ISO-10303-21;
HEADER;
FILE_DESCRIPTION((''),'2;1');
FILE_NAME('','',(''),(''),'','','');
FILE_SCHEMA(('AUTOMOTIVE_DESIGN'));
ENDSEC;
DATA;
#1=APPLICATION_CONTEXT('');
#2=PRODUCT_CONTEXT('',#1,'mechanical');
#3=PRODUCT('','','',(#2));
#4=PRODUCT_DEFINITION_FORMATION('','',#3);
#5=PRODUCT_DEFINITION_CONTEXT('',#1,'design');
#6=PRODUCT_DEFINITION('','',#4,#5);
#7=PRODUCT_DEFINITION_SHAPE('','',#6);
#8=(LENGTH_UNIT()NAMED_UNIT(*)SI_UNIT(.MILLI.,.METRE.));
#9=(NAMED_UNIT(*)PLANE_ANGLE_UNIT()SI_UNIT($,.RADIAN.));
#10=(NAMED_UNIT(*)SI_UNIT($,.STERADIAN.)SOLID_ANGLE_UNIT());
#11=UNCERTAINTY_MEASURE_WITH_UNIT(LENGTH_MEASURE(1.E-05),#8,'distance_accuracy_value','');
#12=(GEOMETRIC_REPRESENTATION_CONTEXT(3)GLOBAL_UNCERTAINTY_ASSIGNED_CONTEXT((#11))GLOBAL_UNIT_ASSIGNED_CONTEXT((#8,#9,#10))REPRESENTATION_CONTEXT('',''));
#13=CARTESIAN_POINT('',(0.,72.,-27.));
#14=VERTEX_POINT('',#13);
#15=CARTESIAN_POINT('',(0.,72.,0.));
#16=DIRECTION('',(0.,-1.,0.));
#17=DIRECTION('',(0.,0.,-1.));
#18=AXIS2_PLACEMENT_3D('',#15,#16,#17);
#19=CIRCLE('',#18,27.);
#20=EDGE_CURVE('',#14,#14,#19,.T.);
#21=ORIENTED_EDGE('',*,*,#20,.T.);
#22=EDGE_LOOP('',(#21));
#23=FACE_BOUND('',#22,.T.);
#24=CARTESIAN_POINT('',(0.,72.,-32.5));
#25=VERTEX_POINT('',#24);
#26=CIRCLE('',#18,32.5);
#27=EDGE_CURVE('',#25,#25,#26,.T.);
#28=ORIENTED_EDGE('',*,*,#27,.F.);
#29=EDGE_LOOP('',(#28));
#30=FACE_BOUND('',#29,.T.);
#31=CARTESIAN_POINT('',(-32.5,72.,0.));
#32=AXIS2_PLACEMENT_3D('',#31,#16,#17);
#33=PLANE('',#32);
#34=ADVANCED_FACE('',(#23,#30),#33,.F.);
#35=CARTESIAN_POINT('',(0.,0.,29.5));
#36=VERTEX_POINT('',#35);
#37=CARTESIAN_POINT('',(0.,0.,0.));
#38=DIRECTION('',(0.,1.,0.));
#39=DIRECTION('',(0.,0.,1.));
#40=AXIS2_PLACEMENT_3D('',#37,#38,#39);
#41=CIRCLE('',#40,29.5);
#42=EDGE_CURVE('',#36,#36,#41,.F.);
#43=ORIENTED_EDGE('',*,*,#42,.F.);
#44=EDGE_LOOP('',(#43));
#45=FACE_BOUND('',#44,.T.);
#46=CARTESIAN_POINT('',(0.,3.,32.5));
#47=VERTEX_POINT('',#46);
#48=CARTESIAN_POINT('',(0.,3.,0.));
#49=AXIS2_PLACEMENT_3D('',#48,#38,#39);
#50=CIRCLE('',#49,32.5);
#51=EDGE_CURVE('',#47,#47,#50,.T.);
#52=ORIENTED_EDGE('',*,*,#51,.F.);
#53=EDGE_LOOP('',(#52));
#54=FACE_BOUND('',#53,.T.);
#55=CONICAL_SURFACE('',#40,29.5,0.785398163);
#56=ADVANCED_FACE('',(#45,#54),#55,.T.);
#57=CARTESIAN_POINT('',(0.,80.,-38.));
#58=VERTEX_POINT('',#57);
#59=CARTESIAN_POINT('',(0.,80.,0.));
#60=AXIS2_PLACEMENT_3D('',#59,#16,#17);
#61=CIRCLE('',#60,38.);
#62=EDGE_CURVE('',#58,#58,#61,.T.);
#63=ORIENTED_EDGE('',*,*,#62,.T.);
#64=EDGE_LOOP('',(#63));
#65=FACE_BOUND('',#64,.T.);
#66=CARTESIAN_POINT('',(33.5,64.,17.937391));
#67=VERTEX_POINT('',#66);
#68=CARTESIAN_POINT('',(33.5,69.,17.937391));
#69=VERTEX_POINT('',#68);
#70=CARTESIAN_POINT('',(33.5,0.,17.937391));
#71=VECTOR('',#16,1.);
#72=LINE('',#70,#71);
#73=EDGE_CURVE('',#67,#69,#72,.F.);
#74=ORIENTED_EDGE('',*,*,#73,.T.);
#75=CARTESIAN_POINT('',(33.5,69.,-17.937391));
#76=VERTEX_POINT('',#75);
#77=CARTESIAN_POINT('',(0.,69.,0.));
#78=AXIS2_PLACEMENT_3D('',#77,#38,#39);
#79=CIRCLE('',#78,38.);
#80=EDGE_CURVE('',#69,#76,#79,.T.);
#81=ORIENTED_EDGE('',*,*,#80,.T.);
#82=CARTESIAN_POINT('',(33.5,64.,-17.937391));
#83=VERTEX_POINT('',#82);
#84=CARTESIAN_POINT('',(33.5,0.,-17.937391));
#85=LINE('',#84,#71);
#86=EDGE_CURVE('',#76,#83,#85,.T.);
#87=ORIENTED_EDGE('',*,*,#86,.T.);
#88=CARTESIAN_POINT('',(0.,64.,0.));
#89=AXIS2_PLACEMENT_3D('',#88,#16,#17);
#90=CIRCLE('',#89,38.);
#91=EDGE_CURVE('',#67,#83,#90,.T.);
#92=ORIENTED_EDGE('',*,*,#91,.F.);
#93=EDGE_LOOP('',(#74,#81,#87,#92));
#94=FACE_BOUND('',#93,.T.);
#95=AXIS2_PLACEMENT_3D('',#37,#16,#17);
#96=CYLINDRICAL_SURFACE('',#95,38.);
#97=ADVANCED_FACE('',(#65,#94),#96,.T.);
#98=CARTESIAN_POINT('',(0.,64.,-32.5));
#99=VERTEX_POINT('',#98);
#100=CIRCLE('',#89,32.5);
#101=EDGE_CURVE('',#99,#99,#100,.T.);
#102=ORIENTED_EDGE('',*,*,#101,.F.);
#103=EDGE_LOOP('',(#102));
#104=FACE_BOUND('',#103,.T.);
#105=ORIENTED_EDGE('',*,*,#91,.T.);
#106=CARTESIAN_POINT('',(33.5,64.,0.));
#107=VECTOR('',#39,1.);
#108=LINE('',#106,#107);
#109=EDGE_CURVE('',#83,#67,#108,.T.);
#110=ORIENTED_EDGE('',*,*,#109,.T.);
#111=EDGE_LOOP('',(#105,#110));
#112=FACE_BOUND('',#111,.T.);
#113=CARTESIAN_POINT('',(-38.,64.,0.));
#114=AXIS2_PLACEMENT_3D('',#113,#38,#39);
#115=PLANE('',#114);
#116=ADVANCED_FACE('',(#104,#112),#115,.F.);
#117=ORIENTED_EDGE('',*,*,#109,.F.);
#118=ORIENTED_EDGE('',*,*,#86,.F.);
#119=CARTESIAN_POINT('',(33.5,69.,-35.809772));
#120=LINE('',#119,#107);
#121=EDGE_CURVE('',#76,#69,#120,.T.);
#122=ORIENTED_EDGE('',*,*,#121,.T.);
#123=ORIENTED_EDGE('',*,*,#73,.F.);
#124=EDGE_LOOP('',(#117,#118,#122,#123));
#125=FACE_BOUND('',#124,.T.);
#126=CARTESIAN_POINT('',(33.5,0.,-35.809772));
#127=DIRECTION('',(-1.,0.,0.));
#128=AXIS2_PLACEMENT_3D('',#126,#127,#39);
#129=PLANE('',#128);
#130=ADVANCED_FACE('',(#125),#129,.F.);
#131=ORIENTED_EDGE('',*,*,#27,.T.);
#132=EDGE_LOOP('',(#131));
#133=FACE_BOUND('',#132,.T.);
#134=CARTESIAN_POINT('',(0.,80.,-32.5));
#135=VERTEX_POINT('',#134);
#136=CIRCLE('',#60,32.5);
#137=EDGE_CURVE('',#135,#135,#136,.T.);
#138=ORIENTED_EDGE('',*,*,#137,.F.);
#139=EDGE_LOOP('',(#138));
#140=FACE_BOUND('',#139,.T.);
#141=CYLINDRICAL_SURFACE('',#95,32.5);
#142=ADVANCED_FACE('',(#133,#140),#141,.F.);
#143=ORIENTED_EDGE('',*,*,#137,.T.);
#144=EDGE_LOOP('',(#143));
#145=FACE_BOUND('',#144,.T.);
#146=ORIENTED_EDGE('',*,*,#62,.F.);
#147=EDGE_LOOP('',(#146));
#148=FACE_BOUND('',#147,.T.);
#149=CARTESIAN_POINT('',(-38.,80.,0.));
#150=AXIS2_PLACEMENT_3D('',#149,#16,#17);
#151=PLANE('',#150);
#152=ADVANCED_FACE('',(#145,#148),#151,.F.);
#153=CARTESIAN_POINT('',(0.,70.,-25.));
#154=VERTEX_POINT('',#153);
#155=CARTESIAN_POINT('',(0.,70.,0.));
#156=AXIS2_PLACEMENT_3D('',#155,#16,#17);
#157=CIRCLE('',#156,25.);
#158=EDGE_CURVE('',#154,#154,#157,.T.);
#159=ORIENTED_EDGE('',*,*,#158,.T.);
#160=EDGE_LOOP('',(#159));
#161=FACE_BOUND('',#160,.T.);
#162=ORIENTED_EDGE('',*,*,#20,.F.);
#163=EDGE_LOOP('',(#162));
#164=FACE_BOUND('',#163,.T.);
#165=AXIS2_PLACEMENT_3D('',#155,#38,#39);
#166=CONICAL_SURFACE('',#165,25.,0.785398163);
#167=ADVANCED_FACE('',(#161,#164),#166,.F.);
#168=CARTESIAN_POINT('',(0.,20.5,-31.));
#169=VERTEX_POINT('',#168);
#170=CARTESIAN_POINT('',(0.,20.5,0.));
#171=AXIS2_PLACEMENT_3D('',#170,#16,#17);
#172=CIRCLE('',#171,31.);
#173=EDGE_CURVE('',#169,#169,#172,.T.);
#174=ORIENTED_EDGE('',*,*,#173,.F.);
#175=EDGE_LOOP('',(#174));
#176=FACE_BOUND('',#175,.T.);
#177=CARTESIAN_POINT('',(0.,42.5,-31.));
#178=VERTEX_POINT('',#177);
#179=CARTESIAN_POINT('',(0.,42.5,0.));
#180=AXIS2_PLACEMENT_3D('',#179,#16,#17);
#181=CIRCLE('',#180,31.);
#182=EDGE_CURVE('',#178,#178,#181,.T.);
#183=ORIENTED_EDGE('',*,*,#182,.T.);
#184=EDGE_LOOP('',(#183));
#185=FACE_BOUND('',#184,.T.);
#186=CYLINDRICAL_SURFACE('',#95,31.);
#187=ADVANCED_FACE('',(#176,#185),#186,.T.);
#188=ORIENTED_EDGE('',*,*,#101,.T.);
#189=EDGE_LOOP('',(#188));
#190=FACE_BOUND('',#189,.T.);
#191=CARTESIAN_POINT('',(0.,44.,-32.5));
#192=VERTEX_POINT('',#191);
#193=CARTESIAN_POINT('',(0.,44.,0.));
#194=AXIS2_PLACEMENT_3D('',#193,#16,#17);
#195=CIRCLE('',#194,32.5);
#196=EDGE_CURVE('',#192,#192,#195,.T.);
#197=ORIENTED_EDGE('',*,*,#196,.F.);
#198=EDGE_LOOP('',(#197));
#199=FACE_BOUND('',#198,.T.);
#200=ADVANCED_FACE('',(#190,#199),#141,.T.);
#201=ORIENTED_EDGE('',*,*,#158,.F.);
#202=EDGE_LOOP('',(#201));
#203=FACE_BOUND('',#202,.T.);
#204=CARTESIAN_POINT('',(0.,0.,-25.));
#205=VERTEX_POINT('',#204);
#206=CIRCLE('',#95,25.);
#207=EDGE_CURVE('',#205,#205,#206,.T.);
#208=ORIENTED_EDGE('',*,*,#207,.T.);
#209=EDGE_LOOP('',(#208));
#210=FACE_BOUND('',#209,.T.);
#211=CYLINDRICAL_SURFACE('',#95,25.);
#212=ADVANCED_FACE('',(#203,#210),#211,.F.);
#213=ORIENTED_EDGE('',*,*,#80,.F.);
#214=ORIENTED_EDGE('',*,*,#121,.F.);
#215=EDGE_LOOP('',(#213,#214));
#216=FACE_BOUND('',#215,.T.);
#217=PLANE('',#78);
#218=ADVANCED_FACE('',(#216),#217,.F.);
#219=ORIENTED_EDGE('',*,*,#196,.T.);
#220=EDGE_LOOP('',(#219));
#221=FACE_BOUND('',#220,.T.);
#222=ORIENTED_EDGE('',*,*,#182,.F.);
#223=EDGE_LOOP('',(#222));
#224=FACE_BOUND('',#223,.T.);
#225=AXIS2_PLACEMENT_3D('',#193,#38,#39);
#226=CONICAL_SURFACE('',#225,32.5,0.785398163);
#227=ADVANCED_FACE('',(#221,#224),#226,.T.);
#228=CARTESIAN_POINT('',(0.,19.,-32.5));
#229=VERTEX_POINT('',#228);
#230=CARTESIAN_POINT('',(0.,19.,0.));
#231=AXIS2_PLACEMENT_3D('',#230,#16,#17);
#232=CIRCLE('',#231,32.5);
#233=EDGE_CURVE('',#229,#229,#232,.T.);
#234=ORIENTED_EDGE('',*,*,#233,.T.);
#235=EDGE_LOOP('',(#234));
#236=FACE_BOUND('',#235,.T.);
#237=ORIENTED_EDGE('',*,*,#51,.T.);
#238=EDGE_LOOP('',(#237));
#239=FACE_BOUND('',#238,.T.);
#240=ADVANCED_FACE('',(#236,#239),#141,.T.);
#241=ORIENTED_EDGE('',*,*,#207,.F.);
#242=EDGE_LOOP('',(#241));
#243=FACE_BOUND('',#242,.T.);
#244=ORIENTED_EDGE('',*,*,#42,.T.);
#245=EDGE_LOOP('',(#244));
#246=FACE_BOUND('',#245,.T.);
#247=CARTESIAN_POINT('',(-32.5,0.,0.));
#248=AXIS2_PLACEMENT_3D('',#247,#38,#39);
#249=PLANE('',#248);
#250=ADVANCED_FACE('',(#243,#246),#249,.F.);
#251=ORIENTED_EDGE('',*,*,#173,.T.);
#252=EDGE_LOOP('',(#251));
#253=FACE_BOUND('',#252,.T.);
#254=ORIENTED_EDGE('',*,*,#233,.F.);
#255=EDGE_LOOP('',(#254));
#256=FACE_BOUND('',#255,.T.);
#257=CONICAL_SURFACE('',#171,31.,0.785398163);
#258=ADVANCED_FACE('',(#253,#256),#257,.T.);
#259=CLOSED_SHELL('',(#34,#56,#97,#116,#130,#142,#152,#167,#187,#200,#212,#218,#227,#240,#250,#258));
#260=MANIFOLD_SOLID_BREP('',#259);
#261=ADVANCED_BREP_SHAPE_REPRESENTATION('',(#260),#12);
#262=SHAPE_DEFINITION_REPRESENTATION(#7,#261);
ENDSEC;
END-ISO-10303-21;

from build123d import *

# Parameters (mm, degrees)
CUT_EXTRUDE1_START = -11
SKETCH2_W          = 20.025201173
SKETCH2_H          = 73.268677232
CUT_EXTRUDE1_DEPTH = 86.374270425
CHAMFER1_SIZE      = 3


with BuildPart() as part:
    # Sketch1 → Revolve1 (revolve)
    with BuildSketch(Plane.XY, mode=Mode.PRIVATE) as revolve1_sk:
        Polygon((-32.5, 80), (-32.5, 72), (-27, 72), (-25, 70), (-25, 0), (-32.5, 0), (-32.5, 19), (-31, 20.5), (-31, 42.5), (-32.5, 44), (-32.5, 64), (-38, 64), (-38, 80), align=None)
    revolve(revolve1_sk.sketch.rotate(Axis((0, 0, 0), (0, 1, 0)), 270), axis=Axis((0, 0, 0), (0, 1, 0)))

    # Sketch2 → Cut-Extrude1 (cut, through all)
    with BuildSketch(Plane(origin=(0, 80, 0), x_dir=(1, 0, 0), z_dir=(0, 1, 0)).offset(CUT_EXTRUDE1_START)):
        with Locations((43.512600586, -0.824567107)):
            Rectangle(SKETCH2_W, SKETCH2_H)
    extrude(amount=-CUT_EXTRUDE1_DEPTH, mode=Mode.SUBTRACT)

    # Chamfer1
    chamfer1_edges = [part.edges().sort_by_distance(p)[0] for p in [
        (0, 0, 32.5),
    ]]
    chamfer(chamfer1_edges, length=CHAMFER1_SIZE)


solid = part.part
